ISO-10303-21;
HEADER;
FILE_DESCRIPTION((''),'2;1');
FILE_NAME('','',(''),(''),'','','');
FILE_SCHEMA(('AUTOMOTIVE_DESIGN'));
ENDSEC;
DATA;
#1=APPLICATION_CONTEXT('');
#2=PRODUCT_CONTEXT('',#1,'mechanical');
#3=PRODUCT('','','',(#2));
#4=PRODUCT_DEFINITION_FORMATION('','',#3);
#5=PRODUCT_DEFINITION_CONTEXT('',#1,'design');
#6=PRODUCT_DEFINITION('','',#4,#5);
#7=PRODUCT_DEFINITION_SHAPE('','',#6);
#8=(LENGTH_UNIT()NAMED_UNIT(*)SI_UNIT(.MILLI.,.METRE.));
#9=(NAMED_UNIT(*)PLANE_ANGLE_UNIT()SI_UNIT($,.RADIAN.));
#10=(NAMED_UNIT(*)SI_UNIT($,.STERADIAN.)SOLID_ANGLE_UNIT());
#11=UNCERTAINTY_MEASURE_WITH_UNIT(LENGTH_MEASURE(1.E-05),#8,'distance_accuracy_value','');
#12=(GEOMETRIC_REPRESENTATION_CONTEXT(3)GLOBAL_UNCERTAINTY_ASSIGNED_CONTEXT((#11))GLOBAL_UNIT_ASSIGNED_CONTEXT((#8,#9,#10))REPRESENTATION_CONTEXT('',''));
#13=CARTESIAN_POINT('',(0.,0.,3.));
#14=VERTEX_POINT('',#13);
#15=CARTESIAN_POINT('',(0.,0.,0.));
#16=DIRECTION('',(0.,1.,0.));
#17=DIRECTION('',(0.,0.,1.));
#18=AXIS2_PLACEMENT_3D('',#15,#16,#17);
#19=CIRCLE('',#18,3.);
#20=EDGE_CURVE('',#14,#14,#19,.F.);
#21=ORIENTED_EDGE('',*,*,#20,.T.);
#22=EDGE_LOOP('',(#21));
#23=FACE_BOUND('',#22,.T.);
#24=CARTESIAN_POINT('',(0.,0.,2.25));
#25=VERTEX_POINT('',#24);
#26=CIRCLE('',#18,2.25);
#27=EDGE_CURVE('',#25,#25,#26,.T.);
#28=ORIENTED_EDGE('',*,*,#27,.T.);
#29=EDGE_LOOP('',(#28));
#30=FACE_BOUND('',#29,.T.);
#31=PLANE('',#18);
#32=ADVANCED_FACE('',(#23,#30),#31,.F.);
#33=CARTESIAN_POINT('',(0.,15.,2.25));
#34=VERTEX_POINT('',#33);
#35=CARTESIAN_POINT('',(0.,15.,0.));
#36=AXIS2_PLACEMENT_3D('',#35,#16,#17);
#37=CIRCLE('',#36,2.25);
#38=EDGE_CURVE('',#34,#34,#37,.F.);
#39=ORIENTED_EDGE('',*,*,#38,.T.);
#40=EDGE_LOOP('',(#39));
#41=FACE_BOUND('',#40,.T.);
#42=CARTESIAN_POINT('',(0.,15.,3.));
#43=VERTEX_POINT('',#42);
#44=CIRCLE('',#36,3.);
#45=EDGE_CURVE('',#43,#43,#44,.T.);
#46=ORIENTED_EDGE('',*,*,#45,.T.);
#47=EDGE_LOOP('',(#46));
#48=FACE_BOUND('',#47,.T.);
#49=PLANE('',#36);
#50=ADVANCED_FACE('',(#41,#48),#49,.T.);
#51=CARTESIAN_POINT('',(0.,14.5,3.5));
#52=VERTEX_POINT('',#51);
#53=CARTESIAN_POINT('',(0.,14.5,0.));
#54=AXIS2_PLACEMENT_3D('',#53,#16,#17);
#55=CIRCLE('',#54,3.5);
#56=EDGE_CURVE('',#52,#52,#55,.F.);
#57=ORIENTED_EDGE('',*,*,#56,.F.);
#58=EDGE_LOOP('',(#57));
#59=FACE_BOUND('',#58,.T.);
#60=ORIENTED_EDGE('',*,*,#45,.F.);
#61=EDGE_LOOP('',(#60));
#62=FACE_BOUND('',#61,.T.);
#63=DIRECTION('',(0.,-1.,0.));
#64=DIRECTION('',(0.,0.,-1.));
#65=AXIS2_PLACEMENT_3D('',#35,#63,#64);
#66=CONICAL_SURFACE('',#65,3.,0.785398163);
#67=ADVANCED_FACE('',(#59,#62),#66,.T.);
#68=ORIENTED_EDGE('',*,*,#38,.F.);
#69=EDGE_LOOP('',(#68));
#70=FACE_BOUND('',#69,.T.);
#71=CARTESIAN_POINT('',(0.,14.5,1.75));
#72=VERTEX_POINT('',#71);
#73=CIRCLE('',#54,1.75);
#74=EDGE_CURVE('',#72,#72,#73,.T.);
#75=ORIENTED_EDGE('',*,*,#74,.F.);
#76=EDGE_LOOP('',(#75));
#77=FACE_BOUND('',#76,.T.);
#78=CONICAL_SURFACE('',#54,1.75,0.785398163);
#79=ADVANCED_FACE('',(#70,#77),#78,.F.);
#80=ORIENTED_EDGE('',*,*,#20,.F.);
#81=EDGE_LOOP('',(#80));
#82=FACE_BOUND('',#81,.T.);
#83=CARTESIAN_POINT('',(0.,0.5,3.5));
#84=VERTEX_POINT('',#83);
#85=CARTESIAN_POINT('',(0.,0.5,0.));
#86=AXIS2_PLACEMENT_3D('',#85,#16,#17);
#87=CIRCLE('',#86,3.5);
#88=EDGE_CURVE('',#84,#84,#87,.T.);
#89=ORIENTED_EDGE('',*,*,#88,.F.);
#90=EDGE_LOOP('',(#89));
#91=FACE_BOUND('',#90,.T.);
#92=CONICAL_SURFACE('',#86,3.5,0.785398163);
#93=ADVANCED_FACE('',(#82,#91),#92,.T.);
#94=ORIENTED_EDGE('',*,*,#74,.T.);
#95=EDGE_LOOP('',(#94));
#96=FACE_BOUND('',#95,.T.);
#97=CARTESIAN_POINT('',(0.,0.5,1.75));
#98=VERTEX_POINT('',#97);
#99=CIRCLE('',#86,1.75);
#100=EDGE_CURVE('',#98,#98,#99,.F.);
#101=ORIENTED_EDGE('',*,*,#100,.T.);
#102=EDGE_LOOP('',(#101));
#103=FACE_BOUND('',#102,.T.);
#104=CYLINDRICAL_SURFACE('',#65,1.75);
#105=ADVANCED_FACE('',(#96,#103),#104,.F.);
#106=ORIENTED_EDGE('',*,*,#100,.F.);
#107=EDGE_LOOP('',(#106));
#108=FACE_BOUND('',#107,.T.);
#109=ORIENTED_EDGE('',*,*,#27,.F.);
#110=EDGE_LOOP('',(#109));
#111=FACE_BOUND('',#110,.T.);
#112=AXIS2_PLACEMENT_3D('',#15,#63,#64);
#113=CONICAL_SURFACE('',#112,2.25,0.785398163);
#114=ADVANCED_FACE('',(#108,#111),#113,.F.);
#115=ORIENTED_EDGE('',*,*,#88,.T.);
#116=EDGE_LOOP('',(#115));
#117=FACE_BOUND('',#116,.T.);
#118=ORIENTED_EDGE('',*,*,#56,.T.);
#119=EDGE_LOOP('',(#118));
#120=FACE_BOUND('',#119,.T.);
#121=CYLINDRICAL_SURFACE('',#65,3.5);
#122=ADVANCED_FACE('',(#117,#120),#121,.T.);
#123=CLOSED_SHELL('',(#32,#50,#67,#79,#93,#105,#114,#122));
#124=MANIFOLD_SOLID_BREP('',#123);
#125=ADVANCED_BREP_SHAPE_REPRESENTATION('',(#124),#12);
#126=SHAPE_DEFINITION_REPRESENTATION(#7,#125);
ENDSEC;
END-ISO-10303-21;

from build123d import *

# Parameters (mm, degrees)
SKETCH1_R           = 3.5
SKETCH1_R_2         = 1.75
BOSS_EXTRUDE1_DEPTH = 15
CHAMFER1_SIZE       = 0.5


with BuildPart() as part:
    # Sketch1 → Boss-Extrude1 (new body)
    with BuildSketch(Plane(origin=(0, 0, 0), x_dir=(1, 0, 0), z_dir=(0, 1, 0))):
        Circle(SKETCH1_R)
        Circle(SKETCH1_R_2, mode=Mode.SUBTRACT)
    extrude(amount=BOSS_EXTRUDE1_DEPTH)

    # Chamfer1
    chamfer1_edges = [part.edges().sort_by_distance(p)[0] for p in [
        (-3.5, 0, 0),
        (-3.5, 15, 0),
        (-1.75, 0, 0),
        (-1.75, 15, 0),
    ]]
    chamfer(chamfer1_edges, length=CHAMFER1_SIZE)


solid = part.part
